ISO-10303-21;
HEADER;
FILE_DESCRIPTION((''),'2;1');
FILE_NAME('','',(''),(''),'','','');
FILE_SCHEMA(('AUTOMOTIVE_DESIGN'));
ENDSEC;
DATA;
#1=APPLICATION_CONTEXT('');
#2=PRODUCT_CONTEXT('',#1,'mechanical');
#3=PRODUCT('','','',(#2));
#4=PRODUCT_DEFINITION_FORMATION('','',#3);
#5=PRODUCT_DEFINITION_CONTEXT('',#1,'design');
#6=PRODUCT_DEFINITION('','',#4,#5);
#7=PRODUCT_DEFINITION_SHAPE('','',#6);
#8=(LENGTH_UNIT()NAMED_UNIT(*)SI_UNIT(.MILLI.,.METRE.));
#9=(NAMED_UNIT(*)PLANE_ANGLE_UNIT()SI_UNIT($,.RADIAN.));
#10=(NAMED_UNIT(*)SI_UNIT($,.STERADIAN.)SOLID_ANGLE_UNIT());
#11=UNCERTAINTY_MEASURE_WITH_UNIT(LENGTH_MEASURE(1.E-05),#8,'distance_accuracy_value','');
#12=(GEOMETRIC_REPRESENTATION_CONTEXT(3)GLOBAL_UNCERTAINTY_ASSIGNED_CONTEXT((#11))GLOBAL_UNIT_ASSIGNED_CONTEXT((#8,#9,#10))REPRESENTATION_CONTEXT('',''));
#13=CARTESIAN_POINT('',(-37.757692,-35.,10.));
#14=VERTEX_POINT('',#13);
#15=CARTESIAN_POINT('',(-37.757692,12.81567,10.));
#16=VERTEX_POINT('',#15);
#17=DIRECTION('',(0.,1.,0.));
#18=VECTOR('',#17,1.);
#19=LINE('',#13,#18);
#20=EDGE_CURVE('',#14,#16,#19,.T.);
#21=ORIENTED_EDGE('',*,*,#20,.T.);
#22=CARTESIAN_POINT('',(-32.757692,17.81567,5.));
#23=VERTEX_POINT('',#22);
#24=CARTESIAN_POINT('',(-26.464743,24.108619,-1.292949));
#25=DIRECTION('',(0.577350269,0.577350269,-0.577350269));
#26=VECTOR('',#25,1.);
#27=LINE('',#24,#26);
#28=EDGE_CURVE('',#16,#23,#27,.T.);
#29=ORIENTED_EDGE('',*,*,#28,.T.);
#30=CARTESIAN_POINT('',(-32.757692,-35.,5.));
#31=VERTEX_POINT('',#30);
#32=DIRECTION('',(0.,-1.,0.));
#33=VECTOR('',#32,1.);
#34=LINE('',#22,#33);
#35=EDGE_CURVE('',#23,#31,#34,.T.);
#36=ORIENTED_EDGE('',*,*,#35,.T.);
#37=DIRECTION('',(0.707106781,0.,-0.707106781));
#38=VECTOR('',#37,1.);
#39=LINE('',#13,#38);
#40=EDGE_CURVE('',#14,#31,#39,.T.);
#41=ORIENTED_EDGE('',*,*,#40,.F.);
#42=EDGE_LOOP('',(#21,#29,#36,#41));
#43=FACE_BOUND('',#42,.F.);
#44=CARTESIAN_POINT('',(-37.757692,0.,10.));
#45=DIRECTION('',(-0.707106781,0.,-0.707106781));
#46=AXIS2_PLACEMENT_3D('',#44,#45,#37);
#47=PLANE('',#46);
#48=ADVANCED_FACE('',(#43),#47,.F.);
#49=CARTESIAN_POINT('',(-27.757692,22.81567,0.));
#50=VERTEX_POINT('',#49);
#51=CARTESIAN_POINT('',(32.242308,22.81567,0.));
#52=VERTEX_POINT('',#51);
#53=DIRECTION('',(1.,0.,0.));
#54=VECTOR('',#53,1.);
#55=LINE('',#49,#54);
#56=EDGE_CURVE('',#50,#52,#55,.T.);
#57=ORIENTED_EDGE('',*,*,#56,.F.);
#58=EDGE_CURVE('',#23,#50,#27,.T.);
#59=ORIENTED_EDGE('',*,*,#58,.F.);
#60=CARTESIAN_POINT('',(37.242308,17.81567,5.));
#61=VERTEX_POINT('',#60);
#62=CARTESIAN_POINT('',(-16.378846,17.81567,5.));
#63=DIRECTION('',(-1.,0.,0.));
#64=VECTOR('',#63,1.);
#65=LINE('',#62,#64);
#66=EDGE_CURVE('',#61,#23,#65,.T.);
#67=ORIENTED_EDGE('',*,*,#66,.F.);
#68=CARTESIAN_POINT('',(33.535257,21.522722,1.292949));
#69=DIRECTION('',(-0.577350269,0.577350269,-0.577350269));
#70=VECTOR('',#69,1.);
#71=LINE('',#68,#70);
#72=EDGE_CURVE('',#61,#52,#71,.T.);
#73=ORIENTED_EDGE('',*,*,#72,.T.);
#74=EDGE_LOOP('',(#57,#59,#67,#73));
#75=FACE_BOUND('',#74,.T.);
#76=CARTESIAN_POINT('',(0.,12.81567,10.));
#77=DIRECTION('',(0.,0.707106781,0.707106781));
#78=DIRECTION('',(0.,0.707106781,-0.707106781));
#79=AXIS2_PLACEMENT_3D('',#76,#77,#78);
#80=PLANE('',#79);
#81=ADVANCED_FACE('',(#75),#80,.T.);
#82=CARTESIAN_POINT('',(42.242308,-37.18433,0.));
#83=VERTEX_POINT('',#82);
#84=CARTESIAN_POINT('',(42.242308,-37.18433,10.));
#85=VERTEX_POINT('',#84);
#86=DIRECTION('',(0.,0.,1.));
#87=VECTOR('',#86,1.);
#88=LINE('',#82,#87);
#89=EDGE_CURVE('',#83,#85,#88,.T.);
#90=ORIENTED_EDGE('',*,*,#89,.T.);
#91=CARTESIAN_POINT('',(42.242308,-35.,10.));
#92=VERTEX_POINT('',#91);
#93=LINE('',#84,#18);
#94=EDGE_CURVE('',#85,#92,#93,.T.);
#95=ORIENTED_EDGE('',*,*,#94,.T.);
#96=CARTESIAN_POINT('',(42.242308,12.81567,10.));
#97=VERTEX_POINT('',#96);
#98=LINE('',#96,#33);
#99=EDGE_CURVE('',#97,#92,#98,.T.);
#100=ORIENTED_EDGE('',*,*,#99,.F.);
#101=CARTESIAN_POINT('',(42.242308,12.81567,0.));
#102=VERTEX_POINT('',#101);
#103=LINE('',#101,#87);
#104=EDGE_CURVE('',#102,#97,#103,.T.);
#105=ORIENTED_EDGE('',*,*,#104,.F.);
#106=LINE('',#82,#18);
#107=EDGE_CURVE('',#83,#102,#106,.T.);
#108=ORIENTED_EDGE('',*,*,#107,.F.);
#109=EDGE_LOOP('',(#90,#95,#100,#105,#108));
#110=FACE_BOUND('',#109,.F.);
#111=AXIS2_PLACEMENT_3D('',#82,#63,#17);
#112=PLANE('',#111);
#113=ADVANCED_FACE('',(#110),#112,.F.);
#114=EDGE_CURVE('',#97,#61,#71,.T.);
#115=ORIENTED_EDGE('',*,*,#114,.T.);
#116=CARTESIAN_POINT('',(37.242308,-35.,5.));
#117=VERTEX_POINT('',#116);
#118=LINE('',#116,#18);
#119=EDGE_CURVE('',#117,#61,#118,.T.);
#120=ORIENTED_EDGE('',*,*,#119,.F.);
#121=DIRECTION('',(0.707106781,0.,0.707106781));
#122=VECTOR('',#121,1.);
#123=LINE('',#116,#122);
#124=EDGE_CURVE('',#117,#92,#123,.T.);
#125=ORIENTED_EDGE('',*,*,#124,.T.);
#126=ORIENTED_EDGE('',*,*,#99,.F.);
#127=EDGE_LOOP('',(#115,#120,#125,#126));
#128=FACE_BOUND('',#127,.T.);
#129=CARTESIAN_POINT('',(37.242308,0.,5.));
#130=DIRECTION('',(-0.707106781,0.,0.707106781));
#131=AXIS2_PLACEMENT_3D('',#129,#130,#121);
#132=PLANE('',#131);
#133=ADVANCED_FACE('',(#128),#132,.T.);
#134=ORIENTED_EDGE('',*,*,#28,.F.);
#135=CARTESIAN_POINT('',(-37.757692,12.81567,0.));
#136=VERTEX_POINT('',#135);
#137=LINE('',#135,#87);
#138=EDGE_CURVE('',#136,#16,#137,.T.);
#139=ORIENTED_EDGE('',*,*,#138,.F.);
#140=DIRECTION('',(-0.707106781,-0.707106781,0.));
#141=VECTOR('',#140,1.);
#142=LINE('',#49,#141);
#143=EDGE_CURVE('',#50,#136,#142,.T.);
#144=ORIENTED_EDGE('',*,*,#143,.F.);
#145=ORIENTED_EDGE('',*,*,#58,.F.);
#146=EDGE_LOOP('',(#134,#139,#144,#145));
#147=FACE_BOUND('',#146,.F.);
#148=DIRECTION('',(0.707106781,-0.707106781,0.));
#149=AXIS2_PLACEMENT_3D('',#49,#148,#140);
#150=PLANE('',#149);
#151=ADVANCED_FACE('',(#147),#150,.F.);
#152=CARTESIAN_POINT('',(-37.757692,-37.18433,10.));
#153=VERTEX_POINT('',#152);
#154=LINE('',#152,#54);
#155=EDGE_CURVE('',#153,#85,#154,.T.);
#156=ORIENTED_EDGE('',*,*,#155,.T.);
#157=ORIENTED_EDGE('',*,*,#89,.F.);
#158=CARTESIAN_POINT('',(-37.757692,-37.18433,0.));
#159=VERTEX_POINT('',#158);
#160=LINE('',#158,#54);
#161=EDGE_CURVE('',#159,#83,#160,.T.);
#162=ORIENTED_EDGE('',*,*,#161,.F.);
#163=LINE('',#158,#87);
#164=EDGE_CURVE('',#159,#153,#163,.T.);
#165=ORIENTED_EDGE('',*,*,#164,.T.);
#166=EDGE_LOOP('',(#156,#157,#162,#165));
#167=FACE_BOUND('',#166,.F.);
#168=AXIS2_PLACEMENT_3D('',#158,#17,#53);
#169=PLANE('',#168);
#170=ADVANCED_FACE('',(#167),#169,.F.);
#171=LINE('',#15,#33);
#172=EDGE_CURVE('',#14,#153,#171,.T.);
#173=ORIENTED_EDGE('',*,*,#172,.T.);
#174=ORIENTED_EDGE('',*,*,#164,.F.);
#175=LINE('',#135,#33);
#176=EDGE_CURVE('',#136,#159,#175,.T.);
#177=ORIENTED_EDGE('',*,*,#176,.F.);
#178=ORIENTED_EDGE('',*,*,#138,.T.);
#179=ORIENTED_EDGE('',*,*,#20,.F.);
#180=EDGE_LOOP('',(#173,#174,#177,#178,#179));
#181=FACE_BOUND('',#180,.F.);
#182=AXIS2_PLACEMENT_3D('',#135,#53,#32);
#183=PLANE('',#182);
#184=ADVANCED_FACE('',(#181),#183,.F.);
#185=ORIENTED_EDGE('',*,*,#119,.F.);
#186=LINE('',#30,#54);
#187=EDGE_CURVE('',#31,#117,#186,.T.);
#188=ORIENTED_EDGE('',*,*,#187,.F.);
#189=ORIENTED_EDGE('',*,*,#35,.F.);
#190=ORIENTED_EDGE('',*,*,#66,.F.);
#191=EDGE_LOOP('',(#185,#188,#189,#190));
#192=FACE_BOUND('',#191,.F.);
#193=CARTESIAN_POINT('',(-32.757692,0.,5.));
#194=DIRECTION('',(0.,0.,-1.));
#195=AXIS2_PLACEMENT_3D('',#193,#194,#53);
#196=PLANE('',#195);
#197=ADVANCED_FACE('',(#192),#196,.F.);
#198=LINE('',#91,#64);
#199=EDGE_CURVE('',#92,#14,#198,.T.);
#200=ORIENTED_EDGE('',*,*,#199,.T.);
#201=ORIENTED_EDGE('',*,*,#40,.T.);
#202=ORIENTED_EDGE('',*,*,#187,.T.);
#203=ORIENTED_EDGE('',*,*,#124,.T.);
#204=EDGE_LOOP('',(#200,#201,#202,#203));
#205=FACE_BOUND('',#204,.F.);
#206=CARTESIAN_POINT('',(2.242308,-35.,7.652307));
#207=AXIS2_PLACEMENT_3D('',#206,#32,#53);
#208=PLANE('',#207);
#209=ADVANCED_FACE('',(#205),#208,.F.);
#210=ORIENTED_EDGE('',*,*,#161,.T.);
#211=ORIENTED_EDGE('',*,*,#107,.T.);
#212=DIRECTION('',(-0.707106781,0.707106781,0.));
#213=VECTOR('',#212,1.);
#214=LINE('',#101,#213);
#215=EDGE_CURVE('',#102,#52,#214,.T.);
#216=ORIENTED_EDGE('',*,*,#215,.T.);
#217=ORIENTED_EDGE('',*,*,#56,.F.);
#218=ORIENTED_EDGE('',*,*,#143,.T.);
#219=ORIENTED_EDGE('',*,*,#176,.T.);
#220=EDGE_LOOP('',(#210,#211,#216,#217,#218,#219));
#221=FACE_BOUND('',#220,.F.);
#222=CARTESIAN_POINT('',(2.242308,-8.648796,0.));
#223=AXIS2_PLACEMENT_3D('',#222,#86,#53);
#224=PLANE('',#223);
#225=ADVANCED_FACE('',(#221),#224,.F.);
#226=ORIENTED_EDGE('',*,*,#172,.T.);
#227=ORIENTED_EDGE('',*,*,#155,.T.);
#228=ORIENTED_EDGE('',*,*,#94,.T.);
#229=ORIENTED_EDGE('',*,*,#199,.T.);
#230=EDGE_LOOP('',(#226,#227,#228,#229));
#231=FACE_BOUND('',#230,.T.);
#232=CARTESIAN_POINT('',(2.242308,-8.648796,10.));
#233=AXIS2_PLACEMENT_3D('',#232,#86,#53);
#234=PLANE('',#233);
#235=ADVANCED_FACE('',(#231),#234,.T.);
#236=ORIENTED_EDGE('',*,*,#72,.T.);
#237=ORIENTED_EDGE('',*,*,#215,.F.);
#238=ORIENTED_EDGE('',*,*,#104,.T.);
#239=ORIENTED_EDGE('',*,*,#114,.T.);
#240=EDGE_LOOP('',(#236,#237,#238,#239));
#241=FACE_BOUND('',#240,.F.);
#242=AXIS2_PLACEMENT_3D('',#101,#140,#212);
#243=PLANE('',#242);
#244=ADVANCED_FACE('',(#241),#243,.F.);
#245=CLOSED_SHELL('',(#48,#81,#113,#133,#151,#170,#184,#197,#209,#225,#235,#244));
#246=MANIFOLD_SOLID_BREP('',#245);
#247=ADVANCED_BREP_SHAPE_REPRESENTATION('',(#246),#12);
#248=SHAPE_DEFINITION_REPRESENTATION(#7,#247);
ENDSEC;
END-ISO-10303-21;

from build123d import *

# Parameters (mm, degrees)
F1_DEPTH = 10
F3_DEPTH = 42.24330811
F4_DEPTH = 37.75869189
F6_DEPTH = 35
F7_DEPTH = 25


with BuildPart() as f1:
    # F0 (on Top) → F1 (new body)
    with BuildSketch(Plane.XY):
        Polygon((32.24230811, 22.8156701593), (-27.75769189, 22.8156701593), (-37.75769189, 12.8156701593), (-37.75769189, -37.1843298407), (42.24230811, -37.1843298407), (42.24230811, 12.8156701593), align=None)
    extrude(amount=F1_DEPTH)

    # F2 (on Right) → F3 (cut, through all)
    with BuildSketch(Plane.YZ):
        Polygon((22.8156701593, 0), (22.8156701593, 10), (12.8156701593, 10), align=None)
    extrude(amount=F3_DEPTH, mode=Mode.SUBTRACT)

    # F2 (on Right) → F4 (cut, through all)
    with BuildSketch(Plane.YZ):
        Polygon((22.8156701593, 0), (22.8156701593, 10), (12.8156701593, 10), align=None)
    extrude(amount=-F4_DEPTH, mode=Mode.SUBTRACT)

    # F5 (on Front) → F6 (cut)
    with BuildSketch(Plane.XZ):
        Polygon((37.24230811, 5), (42.24230811, 10), (-37.75769189, 10), (-32.75769189, 5), align=None)
    extrude(amount=F6_DEPTH, mode=Mode.SUBTRACT)

    # F5 (on Front) → F7 (cut)
    with BuildSketch(Plane.XZ):
        Polygon((37.24230811, 5), (42.24230811, 10), (-37.75769189, 10), (-32.75769189, 5), align=None)
    extrude(amount=-F7_DEPTH, mode=Mode.SUBTRACT)


solid = f1.part
